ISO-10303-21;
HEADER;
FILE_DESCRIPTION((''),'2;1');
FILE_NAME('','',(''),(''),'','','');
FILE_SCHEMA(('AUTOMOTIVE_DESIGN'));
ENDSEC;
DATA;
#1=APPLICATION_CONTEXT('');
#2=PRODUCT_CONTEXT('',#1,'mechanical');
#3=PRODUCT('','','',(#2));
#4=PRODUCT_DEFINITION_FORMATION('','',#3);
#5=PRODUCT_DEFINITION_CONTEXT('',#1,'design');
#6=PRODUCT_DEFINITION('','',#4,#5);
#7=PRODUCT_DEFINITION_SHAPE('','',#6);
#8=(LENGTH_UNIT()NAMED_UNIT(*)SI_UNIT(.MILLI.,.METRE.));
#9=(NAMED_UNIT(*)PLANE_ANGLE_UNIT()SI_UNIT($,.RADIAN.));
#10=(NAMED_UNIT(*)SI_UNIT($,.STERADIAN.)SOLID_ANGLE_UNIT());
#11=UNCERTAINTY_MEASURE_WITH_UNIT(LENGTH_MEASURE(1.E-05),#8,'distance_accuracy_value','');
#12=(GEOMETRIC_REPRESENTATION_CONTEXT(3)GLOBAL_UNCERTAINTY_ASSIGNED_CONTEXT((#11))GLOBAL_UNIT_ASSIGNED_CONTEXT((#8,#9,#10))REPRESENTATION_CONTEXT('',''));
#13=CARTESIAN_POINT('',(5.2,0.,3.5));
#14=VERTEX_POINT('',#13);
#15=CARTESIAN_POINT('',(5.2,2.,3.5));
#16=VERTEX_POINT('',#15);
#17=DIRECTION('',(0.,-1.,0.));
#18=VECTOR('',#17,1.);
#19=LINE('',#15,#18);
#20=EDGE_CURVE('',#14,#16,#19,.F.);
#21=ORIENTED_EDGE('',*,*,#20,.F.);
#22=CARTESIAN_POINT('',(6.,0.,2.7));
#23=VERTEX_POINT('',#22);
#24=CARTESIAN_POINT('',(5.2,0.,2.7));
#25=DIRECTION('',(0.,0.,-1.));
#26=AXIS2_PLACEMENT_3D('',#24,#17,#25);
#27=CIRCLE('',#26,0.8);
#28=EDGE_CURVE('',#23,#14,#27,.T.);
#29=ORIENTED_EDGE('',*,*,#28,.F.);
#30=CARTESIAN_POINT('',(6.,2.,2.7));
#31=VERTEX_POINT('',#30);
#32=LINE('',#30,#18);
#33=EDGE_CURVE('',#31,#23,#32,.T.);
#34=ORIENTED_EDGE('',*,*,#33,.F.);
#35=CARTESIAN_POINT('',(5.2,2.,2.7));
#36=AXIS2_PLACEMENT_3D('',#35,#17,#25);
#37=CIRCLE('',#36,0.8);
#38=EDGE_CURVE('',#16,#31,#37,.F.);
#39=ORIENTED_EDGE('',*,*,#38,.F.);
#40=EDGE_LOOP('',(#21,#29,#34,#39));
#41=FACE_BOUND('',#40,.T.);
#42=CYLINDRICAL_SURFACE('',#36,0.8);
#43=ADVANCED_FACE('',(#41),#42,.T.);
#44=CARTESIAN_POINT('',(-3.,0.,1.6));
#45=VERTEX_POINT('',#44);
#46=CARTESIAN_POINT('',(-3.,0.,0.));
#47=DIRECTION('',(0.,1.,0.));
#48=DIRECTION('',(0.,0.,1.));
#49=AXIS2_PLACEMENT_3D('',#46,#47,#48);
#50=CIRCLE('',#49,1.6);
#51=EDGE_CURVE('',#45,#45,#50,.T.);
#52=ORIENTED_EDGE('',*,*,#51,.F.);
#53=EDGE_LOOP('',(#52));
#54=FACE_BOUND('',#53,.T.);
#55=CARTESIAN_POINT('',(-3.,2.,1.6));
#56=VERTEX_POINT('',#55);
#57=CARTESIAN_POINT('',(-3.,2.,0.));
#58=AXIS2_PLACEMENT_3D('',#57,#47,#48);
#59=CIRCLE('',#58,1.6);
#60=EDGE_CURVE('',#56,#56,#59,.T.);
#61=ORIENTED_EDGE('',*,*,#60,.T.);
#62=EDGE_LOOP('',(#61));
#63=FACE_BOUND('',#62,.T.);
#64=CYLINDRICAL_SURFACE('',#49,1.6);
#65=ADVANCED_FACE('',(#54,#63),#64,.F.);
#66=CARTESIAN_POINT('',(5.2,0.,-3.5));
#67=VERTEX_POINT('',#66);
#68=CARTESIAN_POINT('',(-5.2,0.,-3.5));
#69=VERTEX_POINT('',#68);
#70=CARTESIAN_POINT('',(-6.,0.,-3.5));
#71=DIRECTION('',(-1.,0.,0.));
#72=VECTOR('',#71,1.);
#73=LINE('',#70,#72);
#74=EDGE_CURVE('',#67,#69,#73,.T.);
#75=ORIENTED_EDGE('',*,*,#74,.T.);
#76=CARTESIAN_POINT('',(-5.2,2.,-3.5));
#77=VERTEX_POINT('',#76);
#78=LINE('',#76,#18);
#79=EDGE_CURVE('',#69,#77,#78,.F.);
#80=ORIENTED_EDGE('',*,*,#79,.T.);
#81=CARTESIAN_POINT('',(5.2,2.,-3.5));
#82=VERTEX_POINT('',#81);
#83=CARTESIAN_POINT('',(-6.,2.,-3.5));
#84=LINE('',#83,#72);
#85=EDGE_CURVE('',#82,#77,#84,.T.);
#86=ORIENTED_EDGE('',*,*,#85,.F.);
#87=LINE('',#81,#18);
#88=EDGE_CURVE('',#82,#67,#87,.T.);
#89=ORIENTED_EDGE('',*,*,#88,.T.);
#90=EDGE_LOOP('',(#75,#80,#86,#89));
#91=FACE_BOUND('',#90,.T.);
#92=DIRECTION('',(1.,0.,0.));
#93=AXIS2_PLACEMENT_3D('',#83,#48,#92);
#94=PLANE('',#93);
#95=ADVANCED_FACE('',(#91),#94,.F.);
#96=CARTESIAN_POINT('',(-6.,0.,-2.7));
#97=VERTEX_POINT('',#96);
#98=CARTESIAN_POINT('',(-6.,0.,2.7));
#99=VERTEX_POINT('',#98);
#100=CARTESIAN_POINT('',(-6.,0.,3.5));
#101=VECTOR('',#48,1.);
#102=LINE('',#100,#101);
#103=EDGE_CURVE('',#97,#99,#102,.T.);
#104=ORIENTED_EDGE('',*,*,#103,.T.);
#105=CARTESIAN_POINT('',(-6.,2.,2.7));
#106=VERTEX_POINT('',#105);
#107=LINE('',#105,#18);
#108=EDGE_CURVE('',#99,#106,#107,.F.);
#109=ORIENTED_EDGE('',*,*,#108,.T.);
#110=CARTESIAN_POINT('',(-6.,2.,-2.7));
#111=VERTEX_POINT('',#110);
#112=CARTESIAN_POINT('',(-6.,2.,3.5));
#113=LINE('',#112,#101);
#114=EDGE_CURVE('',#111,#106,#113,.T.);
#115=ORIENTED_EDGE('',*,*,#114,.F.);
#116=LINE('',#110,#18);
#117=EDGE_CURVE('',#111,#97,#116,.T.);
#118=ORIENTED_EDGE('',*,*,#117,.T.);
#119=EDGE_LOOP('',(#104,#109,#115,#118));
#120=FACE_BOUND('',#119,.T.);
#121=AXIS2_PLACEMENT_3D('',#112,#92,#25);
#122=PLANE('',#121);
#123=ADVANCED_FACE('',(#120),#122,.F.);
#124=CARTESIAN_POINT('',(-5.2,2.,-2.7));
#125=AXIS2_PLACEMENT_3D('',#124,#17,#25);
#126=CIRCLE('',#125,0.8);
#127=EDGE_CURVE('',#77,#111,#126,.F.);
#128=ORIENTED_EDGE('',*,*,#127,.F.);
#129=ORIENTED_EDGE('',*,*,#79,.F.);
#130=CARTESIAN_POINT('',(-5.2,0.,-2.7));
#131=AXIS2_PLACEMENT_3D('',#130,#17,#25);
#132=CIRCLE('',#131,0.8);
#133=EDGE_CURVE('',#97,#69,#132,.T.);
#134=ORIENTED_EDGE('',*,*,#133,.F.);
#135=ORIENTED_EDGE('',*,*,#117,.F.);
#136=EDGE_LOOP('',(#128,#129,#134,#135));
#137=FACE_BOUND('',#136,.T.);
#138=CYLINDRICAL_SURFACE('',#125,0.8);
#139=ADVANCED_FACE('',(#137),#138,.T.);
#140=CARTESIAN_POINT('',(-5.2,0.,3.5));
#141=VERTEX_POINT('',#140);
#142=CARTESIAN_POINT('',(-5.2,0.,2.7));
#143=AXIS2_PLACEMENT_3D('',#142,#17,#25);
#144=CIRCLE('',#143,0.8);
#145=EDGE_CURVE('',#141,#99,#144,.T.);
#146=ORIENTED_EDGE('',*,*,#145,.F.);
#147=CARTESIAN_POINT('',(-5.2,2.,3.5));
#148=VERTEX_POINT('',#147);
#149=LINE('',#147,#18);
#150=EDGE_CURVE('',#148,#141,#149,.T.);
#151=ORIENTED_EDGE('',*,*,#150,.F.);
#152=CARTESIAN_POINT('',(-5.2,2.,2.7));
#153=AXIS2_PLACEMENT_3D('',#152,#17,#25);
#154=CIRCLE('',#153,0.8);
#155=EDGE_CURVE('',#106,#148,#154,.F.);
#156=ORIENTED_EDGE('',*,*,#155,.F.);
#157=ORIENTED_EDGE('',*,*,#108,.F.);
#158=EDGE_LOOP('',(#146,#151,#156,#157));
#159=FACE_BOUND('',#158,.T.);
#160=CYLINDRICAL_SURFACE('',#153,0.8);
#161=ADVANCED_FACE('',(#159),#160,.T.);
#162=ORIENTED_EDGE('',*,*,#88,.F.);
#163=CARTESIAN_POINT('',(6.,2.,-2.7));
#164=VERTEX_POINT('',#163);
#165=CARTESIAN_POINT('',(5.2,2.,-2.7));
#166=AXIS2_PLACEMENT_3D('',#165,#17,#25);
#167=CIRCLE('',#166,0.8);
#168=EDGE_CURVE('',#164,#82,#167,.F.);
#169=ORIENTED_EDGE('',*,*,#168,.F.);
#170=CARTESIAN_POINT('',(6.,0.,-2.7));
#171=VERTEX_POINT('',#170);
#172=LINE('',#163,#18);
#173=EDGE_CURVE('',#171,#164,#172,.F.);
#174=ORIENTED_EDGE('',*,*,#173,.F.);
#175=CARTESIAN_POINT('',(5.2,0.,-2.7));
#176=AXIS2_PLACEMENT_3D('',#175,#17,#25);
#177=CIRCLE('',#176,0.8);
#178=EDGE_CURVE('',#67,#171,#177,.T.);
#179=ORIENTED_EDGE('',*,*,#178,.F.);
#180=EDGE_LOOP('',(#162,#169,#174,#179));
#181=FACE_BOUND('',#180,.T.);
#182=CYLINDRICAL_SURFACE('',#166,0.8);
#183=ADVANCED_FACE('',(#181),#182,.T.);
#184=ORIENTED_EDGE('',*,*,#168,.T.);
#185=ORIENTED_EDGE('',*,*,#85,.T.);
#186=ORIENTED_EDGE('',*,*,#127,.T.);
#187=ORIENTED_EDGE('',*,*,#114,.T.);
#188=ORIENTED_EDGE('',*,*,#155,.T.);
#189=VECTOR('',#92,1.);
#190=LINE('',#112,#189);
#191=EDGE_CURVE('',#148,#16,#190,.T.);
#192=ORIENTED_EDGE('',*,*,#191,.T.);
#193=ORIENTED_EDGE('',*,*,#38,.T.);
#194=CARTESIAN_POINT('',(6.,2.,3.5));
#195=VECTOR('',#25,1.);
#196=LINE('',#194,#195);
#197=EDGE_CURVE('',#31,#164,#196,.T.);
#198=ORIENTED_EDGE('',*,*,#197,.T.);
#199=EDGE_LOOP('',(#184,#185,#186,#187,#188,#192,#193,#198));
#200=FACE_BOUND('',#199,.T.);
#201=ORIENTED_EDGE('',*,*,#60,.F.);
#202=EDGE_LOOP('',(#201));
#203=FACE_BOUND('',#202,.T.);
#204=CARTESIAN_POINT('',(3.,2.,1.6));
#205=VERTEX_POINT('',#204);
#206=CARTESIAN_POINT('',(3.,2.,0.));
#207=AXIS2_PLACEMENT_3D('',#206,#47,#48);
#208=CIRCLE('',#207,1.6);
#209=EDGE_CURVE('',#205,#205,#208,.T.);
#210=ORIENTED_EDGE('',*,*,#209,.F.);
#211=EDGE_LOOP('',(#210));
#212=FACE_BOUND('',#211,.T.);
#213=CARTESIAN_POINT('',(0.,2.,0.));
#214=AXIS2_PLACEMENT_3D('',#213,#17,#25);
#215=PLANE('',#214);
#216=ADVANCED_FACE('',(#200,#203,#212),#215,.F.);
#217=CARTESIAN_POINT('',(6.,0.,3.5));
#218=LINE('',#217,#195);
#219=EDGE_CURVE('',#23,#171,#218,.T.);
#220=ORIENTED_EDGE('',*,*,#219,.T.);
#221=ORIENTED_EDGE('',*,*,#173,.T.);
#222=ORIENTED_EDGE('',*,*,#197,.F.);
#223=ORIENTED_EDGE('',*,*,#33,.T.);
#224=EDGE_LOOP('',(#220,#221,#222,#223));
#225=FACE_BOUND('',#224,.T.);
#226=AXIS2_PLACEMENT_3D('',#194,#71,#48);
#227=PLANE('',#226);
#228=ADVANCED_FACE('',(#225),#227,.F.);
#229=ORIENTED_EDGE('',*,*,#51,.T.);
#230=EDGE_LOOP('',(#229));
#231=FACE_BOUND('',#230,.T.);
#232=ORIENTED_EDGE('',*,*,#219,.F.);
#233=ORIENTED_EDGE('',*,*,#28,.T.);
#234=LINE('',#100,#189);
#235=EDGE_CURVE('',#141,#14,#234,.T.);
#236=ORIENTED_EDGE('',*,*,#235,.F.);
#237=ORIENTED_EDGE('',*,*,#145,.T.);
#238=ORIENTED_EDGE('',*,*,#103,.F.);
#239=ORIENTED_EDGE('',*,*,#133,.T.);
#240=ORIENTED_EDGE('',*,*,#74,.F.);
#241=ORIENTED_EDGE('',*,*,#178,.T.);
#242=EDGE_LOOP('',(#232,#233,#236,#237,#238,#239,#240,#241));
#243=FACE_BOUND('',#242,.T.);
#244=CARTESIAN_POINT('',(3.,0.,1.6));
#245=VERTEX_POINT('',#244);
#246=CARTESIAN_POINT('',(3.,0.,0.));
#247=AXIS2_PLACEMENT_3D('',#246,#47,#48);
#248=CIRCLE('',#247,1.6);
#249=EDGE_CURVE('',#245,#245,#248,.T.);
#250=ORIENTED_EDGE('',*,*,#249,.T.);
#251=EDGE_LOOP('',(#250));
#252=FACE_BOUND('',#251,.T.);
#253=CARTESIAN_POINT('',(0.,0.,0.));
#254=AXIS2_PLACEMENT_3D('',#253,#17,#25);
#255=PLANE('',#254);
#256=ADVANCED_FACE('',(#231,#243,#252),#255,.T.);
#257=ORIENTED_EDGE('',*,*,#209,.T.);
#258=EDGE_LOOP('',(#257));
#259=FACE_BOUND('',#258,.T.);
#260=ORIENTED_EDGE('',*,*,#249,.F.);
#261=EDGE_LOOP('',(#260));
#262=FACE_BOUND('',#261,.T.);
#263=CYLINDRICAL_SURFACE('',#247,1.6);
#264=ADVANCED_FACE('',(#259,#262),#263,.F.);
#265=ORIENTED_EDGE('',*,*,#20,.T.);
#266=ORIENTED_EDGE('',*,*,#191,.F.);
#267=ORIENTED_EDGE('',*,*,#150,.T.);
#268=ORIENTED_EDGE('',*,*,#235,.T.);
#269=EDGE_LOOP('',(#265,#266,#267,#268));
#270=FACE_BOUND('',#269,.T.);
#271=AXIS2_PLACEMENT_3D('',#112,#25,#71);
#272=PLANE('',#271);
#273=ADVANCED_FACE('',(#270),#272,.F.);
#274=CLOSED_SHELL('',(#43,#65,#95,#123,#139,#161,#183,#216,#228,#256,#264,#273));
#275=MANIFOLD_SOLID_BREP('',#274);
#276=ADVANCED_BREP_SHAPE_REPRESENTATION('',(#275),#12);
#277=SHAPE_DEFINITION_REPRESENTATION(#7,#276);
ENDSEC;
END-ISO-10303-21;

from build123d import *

# Parameters (mm, degrees)
SKETCH1_W           = 12
SKETCH1_H           = 7
BOSS_EXTRUDE1_DEPTH = 2
SKETCH2_R           = 1.6
CUT_EXTRUDE1_DEPTH  = 8.228416147
FILLET1_R           = 0.8


with BuildPart() as part:
    # Sketch1 → Boss-Extrude1 (new body)
    with BuildSketch(Plane(origin=(0, 0, 0), x_dir=(1, 0, 0), z_dir=(0, 1, 0))):
        Rectangle(SKETCH1_W, SKETCH1_H)
    extrude(amount=BOSS_EXTRUDE1_DEPTH)

    # Sketch2 → Cut-Extrude1 (cut, through all)
    with BuildSketch(Plane(origin=(0, 2, 0), x_dir=(1, 0, 0), z_dir=(0, 1, 0))):
        with Locations(Location((-3, 0, 0), (0, 0, 270))):
            Circle(SKETCH2_R)
        with Locations(Location((3, 0, 0), (0, 0, 270))):
            Circle(SKETCH2_R)
    extrude(amount=-CUT_EXTRUDE1_DEPTH, mode=Mode.SUBTRACT)

    # Fillet1
    fillet1_edges = [part.edges().sort_by_distance(p)[0] for p in [
        (6, 1, 3.5),
        (-6, 1, 3.5),
        (-6, 1, -3.5),
        (6, 1, -3.5),
    ]]
    fillet(fillet1_edges, radius=FILLET1_R)


solid = part.part
